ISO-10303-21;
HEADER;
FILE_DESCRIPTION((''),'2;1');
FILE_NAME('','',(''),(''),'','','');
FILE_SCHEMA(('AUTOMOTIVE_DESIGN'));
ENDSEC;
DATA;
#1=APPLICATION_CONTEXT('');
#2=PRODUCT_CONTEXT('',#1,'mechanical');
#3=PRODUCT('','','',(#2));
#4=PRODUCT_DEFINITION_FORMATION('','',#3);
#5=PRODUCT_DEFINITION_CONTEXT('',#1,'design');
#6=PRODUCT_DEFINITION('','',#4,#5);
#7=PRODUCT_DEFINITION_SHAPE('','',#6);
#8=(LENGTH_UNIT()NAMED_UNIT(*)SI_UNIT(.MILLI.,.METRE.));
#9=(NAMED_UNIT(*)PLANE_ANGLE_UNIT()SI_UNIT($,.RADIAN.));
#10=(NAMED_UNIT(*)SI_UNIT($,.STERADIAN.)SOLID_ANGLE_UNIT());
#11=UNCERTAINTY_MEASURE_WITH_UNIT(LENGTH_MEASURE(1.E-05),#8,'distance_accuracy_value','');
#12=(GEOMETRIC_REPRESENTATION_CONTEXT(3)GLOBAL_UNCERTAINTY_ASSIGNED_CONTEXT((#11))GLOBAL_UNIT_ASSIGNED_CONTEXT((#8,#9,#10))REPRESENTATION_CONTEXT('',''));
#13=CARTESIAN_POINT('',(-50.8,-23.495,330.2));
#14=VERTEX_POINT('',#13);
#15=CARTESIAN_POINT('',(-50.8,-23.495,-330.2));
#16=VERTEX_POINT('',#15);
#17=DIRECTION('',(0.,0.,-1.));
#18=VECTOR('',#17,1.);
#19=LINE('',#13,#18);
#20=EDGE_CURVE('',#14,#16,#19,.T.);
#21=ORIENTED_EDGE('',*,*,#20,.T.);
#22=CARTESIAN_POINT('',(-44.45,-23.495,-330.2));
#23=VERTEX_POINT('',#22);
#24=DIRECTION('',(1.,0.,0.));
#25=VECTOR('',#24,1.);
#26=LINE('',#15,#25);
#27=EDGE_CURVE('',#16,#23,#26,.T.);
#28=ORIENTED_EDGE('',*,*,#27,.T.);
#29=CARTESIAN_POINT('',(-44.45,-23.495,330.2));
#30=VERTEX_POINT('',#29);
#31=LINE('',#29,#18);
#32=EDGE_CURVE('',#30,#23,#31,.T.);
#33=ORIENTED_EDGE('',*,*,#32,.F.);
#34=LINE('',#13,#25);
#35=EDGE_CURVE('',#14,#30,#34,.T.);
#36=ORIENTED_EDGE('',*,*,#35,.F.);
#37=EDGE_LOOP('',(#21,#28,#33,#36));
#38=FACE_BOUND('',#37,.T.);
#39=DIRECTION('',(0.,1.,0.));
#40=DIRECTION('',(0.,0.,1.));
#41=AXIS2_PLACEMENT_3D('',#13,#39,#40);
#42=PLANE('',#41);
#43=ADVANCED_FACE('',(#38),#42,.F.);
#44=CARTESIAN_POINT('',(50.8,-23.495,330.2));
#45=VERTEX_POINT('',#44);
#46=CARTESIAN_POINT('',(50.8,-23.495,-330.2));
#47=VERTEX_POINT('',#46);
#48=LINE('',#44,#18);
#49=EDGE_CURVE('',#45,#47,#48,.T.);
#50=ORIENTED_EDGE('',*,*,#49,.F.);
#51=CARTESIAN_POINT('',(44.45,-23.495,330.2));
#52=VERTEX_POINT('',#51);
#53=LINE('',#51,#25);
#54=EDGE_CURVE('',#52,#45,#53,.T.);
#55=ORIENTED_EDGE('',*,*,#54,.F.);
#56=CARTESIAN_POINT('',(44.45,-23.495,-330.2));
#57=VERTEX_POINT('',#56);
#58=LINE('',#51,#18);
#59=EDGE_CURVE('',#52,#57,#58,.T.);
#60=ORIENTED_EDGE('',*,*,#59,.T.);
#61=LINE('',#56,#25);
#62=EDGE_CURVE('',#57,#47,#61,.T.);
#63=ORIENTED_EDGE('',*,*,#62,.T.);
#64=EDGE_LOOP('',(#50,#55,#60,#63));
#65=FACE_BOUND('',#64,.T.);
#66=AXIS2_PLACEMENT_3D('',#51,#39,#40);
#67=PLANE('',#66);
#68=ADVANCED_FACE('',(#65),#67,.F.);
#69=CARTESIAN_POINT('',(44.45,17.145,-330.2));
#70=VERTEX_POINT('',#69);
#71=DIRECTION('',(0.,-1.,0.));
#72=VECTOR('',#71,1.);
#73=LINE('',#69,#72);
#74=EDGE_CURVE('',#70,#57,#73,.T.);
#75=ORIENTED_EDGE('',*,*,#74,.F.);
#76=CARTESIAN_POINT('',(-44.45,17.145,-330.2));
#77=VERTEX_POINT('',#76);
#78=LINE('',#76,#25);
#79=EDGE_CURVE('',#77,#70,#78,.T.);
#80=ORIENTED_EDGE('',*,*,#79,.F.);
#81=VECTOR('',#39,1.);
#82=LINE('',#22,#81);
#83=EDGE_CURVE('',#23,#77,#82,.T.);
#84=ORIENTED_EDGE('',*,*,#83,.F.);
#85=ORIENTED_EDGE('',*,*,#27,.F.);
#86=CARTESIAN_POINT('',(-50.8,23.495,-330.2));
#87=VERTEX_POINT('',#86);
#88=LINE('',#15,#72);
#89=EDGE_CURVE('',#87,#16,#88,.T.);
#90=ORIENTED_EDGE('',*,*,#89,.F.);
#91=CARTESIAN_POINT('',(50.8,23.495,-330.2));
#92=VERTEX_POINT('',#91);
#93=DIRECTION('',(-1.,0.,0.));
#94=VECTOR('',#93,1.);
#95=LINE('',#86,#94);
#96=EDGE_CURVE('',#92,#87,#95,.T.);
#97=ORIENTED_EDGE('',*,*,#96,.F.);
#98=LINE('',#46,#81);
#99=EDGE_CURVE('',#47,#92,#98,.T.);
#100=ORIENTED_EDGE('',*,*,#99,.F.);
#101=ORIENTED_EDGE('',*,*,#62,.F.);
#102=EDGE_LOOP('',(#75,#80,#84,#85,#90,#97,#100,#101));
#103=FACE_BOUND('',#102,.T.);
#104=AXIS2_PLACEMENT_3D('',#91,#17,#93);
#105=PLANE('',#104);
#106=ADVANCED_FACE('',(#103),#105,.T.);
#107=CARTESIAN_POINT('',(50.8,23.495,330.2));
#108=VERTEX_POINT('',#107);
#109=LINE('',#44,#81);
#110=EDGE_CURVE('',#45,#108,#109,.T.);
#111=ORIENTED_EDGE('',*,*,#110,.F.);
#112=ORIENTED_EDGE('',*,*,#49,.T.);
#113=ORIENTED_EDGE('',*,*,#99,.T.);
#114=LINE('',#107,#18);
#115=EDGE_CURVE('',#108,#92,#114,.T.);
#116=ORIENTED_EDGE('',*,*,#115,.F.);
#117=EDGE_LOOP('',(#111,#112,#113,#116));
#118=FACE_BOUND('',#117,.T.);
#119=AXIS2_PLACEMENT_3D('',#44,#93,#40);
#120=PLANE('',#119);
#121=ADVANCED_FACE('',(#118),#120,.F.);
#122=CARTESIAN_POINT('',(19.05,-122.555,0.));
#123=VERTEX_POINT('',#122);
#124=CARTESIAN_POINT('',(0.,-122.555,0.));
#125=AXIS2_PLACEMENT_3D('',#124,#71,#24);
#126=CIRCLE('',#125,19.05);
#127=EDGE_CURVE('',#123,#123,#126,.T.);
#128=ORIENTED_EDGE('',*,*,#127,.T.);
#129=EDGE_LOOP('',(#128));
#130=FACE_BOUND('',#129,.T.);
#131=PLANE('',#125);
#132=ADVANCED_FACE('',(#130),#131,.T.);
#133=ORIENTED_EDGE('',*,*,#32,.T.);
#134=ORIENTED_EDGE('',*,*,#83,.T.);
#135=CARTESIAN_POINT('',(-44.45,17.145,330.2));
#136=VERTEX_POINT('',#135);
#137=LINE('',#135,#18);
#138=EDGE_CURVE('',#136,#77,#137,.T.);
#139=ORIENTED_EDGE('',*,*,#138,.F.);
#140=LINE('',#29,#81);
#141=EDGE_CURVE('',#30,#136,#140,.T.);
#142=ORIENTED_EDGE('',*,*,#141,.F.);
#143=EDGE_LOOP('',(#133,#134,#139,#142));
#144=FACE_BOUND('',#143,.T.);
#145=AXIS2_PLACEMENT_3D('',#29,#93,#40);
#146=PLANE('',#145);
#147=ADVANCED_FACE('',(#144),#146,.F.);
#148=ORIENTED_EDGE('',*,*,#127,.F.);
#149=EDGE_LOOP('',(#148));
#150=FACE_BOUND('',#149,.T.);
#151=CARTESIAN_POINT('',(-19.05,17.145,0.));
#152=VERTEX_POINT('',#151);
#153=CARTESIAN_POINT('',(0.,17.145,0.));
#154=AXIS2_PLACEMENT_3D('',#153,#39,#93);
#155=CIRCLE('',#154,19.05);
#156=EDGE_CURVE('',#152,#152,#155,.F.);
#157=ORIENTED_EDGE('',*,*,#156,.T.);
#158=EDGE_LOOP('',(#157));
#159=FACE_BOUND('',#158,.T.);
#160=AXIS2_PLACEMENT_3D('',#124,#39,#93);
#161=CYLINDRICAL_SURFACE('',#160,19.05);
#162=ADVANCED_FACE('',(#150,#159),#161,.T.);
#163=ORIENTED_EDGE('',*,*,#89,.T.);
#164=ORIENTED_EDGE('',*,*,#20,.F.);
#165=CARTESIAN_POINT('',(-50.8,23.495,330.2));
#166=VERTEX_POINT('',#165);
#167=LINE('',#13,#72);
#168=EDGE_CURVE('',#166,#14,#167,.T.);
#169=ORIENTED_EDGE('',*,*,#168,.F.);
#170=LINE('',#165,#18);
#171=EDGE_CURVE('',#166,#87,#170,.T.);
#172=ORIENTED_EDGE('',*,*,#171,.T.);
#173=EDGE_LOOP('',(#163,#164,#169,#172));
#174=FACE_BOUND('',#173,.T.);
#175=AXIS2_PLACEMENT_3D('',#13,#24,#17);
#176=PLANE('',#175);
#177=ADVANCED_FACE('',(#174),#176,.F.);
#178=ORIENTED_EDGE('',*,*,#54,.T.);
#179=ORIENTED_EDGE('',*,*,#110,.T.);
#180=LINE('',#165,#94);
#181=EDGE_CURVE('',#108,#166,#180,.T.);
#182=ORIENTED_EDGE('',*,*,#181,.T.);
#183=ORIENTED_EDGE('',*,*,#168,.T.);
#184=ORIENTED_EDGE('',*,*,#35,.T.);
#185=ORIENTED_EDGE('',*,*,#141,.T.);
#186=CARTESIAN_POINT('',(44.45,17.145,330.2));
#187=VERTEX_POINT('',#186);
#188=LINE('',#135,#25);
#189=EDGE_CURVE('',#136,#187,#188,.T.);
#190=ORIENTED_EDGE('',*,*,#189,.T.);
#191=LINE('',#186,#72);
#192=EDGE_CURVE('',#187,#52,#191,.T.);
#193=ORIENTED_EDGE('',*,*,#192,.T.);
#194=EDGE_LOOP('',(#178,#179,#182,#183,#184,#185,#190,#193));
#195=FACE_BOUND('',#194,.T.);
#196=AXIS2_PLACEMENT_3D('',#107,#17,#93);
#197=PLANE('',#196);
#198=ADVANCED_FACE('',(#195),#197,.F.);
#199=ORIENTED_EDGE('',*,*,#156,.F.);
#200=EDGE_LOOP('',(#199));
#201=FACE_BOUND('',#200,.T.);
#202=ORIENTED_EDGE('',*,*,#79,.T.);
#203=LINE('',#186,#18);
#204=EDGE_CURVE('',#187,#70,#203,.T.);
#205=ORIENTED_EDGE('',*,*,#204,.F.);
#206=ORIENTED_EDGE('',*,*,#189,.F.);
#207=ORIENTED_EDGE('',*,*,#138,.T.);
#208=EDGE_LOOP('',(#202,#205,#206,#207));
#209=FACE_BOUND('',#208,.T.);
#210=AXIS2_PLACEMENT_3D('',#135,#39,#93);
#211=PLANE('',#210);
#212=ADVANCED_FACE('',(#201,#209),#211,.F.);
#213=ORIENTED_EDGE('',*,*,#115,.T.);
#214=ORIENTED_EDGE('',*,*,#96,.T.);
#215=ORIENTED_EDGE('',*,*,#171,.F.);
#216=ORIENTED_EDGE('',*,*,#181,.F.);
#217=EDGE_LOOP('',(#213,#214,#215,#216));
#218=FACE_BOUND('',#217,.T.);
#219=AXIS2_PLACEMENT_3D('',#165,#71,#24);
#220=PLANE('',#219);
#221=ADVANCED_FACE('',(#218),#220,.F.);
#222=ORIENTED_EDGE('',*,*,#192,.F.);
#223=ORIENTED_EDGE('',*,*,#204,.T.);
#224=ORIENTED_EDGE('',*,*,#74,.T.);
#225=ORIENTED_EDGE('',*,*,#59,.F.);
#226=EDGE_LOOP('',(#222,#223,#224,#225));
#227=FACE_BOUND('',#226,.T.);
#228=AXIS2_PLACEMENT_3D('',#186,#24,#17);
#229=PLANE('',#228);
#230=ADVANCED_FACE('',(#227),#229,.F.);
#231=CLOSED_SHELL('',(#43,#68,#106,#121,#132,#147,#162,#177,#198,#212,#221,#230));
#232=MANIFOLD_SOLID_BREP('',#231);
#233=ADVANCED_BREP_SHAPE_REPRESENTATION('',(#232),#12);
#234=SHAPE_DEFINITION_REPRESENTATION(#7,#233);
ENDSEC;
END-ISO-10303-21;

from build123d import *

# Parameters (mm, degrees)
BOSS_EXTRUDE1_DEPTH = 330.2
SKETCH2_R           = 19.05
BOSS_EXTRUDE2_DEPTH = 139.7


with BuildPart() as part:
    # Sketch1 → Boss-Extrude1 (new body, symmetric)
    with BuildSketch(Plane.XY):
        Polygon((-50.8, -23.495), (-44.45, -23.495), (-44.45, 17.145), (44.45, 17.145), (44.45, -23.495), (50.8, -23.495), (50.8, 23.495), (-50.8, 23.495), align=None)
    extrude(amount=BOSS_EXTRUDE1_DEPTH, both=True)

    # Sketch2 → Boss-Extrude2 (add)
    with BuildSketch(Plane.XZ.offset(-17.145)):
        Circle(SKETCH2_R)
    extrude(amount=BOSS_EXTRUDE2_DEPTH)


solid = part.part
